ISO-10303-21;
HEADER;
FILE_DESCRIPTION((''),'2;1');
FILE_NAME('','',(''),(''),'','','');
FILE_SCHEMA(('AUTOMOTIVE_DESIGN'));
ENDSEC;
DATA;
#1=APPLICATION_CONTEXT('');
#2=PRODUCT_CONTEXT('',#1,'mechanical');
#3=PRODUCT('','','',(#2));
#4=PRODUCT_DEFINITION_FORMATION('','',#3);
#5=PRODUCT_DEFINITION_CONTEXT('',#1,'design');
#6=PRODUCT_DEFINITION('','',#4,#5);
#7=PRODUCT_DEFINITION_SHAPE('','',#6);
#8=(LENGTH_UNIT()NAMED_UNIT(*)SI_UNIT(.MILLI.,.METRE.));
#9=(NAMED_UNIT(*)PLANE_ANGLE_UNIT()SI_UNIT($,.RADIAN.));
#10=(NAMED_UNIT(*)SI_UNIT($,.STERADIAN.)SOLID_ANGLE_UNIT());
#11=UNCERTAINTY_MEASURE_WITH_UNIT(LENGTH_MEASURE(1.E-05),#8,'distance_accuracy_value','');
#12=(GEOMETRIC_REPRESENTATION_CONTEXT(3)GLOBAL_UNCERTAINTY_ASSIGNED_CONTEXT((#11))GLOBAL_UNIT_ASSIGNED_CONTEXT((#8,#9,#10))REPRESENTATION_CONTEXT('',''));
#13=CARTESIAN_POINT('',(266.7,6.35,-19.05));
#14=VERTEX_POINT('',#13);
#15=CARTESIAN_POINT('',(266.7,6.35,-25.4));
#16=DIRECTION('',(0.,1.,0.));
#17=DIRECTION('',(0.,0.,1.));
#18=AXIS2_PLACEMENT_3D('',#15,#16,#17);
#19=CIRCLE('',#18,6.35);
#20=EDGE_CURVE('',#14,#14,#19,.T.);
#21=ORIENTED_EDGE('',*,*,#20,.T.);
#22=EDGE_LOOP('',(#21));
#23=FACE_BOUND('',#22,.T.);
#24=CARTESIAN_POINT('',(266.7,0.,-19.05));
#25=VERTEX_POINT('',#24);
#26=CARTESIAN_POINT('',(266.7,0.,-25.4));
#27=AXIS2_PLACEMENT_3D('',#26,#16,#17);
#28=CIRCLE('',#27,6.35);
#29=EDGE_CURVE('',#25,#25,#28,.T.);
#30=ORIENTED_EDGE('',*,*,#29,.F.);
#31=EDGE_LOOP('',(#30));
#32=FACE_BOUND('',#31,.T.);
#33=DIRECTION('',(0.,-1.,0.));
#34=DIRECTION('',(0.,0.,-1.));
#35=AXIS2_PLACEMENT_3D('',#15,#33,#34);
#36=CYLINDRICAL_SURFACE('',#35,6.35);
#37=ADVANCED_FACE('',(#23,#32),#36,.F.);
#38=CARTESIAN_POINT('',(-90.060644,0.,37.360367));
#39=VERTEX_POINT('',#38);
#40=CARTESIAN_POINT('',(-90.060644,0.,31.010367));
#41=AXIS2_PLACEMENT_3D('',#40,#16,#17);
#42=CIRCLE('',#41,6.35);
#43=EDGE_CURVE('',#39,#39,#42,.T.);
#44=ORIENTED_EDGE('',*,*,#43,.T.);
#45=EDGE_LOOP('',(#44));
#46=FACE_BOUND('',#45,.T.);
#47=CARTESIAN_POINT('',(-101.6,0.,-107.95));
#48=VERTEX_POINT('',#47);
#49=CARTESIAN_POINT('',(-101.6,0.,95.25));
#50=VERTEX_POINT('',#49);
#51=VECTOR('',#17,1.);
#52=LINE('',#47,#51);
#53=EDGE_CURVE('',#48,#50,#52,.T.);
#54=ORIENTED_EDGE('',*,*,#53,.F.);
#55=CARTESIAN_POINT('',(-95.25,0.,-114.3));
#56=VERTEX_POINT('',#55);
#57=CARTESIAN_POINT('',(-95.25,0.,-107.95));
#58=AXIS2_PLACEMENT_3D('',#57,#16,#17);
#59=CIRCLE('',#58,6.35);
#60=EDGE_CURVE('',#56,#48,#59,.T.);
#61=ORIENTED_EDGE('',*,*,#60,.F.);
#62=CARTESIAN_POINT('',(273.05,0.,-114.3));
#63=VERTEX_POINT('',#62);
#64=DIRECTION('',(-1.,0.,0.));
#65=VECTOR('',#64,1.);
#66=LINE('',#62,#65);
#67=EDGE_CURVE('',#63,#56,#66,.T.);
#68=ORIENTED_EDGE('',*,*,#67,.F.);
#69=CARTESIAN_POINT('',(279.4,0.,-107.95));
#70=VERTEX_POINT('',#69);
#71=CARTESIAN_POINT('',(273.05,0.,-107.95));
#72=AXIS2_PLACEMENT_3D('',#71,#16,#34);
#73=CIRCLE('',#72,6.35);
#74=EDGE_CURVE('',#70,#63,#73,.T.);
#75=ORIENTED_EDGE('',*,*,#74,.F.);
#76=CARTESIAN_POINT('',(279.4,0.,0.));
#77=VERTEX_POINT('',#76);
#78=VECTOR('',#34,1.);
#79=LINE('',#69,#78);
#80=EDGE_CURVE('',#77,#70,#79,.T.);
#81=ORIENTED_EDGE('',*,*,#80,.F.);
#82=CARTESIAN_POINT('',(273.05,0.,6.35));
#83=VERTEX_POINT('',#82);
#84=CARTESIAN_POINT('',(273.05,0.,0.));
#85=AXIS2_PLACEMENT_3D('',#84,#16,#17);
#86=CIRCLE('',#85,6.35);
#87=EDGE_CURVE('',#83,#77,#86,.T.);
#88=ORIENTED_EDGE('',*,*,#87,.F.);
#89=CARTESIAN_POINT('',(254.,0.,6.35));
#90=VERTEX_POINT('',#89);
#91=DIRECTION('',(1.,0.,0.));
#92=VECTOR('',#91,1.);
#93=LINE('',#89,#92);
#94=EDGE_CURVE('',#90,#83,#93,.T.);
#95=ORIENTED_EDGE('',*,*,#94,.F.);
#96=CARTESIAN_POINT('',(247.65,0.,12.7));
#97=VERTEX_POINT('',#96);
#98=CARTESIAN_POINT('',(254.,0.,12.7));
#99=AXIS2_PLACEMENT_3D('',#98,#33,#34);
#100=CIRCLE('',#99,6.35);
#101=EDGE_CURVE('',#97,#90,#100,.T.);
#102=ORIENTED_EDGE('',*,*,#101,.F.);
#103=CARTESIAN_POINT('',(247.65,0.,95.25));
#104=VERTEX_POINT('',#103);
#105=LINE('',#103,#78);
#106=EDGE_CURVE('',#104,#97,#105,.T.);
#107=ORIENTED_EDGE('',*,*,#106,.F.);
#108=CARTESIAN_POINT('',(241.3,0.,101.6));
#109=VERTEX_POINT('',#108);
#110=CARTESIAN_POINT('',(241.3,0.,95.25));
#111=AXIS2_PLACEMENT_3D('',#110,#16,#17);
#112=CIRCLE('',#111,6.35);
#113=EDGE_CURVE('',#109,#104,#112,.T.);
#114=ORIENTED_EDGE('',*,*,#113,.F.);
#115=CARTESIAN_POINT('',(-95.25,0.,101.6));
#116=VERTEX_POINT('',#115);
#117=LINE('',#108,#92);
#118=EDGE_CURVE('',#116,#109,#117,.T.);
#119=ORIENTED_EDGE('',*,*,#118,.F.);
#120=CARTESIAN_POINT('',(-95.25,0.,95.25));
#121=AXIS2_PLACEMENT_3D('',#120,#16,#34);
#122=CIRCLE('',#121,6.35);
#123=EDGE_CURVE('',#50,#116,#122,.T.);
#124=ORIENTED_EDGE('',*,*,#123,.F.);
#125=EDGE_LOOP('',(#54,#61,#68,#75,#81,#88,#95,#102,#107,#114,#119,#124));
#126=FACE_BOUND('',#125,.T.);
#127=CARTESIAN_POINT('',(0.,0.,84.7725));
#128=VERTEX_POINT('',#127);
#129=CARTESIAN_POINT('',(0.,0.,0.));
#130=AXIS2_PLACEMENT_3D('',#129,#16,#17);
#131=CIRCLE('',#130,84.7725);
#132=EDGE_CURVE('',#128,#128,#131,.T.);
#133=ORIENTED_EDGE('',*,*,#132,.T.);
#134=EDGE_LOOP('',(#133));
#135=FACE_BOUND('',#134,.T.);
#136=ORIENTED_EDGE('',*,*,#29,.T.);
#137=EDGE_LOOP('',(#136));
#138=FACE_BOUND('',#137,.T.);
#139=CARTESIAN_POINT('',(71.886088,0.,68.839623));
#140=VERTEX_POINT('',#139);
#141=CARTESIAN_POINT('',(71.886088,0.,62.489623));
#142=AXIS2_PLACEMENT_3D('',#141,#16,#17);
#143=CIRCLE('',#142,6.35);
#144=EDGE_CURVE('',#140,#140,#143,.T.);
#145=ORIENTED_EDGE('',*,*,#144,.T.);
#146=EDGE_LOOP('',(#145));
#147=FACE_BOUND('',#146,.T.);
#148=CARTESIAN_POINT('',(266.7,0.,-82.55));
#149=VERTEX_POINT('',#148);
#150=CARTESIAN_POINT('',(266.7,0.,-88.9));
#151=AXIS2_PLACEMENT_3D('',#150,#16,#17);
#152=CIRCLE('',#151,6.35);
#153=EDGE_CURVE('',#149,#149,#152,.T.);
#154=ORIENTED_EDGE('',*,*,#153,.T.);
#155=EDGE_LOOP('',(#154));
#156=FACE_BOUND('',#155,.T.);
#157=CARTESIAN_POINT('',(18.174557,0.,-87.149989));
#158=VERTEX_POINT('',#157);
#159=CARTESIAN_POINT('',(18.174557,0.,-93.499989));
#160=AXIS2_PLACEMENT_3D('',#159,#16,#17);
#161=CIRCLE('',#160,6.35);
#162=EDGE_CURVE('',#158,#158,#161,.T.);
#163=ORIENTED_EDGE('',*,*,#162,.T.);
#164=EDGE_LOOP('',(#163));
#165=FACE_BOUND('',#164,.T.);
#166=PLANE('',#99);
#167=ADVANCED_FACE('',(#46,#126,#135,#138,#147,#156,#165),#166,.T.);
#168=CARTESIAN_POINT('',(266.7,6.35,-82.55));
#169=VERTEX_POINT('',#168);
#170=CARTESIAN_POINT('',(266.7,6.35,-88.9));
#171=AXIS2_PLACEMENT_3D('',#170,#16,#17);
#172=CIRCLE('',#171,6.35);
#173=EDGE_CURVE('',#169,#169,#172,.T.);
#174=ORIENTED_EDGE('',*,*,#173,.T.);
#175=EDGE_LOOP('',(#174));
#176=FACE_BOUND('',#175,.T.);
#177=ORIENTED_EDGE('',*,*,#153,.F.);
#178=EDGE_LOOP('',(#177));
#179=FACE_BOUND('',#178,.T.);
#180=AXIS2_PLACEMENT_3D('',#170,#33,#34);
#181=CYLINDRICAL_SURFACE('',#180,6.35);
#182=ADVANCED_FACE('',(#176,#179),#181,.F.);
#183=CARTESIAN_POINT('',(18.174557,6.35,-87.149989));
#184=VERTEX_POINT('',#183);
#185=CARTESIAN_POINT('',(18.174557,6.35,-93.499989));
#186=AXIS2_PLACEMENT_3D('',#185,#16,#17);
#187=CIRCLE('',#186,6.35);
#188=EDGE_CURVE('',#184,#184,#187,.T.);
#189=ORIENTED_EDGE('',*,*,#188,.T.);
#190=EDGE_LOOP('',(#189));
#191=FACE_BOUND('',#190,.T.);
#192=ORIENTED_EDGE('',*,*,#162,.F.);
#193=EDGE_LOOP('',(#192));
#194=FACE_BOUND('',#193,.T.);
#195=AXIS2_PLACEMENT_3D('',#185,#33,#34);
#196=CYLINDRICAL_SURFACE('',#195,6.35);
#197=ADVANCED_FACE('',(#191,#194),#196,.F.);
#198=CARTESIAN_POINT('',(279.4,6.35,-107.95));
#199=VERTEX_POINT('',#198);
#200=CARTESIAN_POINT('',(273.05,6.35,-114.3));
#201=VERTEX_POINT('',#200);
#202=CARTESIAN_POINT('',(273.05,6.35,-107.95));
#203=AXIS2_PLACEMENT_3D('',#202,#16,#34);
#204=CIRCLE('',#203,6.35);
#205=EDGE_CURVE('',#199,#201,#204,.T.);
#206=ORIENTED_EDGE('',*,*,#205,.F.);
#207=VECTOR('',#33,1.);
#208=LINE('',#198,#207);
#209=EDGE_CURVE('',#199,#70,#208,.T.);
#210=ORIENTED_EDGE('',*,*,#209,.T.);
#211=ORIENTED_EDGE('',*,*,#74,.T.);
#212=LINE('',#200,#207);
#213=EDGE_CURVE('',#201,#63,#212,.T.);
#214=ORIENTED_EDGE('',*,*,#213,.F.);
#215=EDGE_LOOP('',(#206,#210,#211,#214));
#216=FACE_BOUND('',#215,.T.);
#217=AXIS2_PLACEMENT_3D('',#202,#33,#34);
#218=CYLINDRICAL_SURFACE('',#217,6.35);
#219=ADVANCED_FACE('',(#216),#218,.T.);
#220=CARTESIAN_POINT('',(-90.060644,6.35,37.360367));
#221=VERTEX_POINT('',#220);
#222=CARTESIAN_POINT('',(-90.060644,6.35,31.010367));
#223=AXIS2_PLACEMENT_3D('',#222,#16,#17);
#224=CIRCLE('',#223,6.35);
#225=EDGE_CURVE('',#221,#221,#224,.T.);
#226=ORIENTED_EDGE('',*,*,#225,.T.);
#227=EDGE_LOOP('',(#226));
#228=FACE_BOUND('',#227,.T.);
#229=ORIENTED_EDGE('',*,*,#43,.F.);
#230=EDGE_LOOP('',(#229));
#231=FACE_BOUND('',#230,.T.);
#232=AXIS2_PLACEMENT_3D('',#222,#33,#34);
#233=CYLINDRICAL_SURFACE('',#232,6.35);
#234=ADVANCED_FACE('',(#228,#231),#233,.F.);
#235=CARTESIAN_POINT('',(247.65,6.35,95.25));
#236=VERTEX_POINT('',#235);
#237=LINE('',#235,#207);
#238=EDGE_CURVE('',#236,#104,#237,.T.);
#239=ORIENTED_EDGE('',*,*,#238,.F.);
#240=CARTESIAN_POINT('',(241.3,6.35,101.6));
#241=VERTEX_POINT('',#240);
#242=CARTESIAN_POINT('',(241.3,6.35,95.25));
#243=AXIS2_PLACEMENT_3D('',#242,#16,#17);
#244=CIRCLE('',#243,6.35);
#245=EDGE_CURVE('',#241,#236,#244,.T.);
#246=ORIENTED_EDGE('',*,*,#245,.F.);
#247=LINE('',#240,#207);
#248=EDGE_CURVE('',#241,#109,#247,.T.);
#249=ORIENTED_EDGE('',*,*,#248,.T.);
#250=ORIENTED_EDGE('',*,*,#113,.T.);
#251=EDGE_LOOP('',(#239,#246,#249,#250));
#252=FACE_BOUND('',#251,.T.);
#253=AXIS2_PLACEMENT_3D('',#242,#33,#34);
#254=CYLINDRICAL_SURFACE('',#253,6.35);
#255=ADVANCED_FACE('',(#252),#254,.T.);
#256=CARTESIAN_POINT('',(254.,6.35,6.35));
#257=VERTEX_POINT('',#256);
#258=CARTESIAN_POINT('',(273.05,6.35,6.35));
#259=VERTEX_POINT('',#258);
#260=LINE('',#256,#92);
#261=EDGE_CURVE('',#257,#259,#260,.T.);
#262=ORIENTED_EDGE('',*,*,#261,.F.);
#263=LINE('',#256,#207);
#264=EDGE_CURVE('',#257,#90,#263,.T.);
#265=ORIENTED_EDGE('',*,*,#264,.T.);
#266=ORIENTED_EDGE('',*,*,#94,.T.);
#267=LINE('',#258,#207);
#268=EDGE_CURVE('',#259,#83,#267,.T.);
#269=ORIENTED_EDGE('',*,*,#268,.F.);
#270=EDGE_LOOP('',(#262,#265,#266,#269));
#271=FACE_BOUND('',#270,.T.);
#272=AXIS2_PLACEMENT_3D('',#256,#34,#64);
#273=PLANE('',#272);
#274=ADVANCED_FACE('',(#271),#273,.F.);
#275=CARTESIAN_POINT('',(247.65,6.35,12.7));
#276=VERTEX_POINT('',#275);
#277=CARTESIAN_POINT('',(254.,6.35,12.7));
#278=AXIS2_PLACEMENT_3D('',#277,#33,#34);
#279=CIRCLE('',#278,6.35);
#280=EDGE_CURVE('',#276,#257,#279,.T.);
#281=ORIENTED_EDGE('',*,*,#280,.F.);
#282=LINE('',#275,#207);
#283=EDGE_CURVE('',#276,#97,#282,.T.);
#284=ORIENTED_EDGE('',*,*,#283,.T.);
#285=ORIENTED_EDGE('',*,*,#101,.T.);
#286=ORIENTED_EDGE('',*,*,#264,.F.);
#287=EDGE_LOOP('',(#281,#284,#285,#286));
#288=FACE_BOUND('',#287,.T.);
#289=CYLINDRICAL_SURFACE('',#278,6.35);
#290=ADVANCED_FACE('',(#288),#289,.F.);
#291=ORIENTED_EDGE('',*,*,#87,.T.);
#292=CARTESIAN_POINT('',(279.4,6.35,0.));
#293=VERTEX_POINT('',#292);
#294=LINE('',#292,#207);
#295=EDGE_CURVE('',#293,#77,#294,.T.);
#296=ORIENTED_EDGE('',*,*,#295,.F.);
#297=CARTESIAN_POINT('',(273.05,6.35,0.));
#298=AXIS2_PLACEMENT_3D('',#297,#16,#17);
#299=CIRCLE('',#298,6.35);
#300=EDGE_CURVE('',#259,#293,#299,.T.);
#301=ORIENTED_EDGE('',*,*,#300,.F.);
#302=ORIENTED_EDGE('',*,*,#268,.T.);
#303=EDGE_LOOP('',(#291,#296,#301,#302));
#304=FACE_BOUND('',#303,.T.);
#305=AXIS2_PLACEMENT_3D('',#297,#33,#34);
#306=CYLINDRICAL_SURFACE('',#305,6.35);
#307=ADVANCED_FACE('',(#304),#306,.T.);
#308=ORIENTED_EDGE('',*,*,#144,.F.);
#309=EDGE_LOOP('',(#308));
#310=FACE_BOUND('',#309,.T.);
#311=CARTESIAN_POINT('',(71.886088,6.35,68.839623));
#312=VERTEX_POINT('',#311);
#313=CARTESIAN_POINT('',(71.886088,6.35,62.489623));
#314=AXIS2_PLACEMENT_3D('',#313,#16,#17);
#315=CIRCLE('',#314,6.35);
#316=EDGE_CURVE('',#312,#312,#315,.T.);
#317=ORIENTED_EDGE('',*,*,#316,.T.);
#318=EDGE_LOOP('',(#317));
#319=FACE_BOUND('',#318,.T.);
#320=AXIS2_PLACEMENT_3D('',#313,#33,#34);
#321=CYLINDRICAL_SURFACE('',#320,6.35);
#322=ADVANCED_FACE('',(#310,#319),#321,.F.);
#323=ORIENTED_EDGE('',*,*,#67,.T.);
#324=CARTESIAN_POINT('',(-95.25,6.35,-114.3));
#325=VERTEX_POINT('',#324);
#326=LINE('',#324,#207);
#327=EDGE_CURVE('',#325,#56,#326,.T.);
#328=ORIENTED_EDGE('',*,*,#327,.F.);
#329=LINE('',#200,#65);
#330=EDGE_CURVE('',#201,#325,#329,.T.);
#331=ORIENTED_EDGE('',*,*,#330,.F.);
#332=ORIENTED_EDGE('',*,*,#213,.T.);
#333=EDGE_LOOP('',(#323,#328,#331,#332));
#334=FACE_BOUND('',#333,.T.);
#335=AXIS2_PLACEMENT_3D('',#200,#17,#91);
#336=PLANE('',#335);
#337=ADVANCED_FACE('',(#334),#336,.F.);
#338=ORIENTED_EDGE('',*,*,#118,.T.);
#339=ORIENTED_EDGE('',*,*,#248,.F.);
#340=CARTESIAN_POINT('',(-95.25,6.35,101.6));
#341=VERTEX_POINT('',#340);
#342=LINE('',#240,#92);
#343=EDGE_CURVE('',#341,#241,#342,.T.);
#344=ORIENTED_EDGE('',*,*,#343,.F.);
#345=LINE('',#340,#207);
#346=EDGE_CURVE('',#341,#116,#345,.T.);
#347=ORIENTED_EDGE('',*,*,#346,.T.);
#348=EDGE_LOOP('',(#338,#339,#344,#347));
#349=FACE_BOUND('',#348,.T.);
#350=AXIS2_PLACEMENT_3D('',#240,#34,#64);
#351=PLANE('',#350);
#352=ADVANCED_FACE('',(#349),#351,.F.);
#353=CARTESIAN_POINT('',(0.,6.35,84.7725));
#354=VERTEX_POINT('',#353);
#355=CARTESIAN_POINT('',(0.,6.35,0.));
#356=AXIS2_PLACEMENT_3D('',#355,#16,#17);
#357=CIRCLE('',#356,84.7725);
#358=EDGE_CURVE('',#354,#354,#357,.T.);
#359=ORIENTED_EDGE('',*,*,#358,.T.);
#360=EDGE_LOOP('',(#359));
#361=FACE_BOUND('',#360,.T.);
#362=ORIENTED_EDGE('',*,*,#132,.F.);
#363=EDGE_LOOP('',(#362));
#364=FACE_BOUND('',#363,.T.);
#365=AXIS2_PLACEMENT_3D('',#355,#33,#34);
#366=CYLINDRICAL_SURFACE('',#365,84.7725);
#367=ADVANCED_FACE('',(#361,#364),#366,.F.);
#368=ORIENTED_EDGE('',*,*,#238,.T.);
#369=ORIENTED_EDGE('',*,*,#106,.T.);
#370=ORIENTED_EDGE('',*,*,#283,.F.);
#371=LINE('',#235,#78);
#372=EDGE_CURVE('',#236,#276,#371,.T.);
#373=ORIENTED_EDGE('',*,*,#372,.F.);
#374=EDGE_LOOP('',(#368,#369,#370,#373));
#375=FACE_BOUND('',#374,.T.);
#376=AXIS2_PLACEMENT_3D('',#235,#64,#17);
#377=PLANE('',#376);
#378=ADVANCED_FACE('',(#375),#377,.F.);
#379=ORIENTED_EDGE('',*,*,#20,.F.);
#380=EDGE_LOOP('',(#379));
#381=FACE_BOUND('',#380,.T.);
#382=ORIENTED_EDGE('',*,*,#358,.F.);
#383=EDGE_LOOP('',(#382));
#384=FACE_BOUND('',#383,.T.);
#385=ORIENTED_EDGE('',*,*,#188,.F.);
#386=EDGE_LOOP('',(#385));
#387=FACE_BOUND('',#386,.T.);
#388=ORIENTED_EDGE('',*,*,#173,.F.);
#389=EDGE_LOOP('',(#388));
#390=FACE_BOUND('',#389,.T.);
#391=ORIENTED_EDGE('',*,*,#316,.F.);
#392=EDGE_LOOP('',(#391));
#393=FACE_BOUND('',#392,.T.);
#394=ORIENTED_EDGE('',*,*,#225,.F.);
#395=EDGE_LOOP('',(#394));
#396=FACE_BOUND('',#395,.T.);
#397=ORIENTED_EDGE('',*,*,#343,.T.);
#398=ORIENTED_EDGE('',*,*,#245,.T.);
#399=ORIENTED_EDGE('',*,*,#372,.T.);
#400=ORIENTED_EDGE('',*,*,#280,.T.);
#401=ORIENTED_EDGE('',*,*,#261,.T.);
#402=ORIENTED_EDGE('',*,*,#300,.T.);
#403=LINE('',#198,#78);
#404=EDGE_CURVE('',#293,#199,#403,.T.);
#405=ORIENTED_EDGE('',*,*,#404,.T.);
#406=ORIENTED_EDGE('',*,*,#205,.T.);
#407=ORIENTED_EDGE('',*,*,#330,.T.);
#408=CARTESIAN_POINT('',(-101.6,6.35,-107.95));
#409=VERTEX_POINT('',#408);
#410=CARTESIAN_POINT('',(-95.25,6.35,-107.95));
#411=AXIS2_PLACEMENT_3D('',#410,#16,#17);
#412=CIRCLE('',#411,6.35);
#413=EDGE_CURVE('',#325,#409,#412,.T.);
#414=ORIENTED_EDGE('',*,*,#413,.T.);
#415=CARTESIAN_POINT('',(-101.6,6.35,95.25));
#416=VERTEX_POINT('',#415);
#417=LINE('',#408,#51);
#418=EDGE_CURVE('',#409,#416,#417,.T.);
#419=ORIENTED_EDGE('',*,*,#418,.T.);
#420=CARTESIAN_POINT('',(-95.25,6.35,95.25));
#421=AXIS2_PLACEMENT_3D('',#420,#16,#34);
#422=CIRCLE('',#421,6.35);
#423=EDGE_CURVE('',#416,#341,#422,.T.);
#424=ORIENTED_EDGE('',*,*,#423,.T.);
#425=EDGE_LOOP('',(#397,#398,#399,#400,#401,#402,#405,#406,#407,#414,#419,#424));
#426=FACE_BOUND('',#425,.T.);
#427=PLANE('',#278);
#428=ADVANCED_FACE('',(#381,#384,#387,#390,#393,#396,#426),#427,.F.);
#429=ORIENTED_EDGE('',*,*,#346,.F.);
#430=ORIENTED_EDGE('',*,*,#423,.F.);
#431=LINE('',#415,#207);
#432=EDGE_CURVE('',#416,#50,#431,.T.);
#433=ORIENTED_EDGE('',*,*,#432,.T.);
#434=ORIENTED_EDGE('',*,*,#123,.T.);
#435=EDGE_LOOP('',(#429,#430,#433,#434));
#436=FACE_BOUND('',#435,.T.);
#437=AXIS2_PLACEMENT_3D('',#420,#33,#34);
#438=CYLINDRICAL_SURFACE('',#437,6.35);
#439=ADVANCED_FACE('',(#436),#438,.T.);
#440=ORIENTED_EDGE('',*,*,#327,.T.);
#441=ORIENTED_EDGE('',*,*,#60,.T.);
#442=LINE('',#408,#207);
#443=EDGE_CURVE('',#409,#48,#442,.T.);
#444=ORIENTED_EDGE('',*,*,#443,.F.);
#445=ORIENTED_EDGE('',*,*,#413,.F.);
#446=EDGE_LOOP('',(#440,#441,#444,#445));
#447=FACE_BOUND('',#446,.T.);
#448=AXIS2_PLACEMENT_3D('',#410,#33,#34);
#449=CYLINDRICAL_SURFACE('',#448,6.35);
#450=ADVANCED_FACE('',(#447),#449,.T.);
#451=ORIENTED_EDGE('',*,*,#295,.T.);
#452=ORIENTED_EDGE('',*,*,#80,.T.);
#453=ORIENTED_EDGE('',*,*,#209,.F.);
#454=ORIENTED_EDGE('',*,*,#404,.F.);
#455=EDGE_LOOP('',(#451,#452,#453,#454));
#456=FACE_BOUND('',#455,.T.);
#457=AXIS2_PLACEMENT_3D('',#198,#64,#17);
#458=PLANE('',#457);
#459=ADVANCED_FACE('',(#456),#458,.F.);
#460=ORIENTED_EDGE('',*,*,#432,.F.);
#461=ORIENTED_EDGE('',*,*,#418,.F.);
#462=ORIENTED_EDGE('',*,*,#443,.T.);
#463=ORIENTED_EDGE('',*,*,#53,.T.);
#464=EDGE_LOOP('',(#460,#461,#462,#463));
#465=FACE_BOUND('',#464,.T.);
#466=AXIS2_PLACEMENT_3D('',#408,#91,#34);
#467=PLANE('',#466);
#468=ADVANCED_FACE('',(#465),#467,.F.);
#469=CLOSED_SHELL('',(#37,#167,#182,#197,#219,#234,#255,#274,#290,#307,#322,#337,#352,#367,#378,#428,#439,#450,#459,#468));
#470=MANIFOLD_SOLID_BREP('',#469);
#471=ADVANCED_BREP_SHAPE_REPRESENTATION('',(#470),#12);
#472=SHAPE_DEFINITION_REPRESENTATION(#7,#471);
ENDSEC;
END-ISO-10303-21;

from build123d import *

# Parameters (mm, degrees)
SKETCH1_R           = 84.7725
SKETCH1_R_2         = 6.35
BOSS_EXTRUDE1_DEPTH = 6.35


with BuildPart() as part:
    # Sketch1 → Boss-Extrude1 (new body)
    with BuildSketch(Plane(origin=(0, 0, 0), x_dir=(1, 0, 0), z_dir=(0, 1, 0))):
        with BuildLine():
            Line((273.05, 114.3), (-95.25, 114.3))
            ThreePointArc((-95.25, 114.3), (-99.740128061, 112.440128061), (-101.6, 107.95))
            Line((-101.6, 107.95), (-101.6, -95.25))
            ThreePointArc((-101.6, -95.25), (-99.740128061, -99.740128061), (-95.25, -101.6))
            Line((-95.25, -101.6), (241.3, -101.6))
            ThreePointArc((241.3, -101.6), (245.790128061, -99.740128061), (247.65, -95.25))
            Line((247.65, -95.25), (247.65, -12.7))
            ThreePointArc((247.65, -12.7), (249.509871939, -8.209871939), (254, -6.35))
            Line((254, -6.35), (273.05, -6.35))
            ThreePointArc((273.05, -6.35), (277.540128061, -4.490128061), (279.4, 0))
            Line((279.4, 0), (279.4, 107.95))
            ThreePointArc((279.4, 107.95), (277.540128061, 112.440128061), (273.05, 114.3))
        make_face()
        with Locations(Location((0, 0, 0), (0, 0, 270))):
            Circle(SKETCH1_R, mode=Mode.SUBTRACT)
        with Locations(Location((-90.060644326, -31.010366712, 0), (0, 0, 270))):
            Circle(SKETCH1_R_2, mode=Mode.SUBTRACT)
        with Locations(Location((18.17455681, 93.499989223, 0), (0, 0, 270))):
            Circle(SKETCH1_R_2, mode=Mode.SUBTRACT)
        with Locations(Location((71.886087516, -62.489622511, 0), (0, 0, 270))):
            Circle(SKETCH1_R_2, mode=Mode.SUBTRACT)
        with Locations(Location((266.7, 88.9, 0), (0, 0, 270))):
            Circle(SKETCH1_R_2, mode=Mode.SUBTRACT)
        with Locations(Location((266.7, 25.4, 0), (0, 0, 270))):
            Circle(SKETCH1_R_2, mode=Mode.SUBTRACT)
    extrude(amount=BOSS_EXTRUDE1_DEPTH)


solid = part.part
